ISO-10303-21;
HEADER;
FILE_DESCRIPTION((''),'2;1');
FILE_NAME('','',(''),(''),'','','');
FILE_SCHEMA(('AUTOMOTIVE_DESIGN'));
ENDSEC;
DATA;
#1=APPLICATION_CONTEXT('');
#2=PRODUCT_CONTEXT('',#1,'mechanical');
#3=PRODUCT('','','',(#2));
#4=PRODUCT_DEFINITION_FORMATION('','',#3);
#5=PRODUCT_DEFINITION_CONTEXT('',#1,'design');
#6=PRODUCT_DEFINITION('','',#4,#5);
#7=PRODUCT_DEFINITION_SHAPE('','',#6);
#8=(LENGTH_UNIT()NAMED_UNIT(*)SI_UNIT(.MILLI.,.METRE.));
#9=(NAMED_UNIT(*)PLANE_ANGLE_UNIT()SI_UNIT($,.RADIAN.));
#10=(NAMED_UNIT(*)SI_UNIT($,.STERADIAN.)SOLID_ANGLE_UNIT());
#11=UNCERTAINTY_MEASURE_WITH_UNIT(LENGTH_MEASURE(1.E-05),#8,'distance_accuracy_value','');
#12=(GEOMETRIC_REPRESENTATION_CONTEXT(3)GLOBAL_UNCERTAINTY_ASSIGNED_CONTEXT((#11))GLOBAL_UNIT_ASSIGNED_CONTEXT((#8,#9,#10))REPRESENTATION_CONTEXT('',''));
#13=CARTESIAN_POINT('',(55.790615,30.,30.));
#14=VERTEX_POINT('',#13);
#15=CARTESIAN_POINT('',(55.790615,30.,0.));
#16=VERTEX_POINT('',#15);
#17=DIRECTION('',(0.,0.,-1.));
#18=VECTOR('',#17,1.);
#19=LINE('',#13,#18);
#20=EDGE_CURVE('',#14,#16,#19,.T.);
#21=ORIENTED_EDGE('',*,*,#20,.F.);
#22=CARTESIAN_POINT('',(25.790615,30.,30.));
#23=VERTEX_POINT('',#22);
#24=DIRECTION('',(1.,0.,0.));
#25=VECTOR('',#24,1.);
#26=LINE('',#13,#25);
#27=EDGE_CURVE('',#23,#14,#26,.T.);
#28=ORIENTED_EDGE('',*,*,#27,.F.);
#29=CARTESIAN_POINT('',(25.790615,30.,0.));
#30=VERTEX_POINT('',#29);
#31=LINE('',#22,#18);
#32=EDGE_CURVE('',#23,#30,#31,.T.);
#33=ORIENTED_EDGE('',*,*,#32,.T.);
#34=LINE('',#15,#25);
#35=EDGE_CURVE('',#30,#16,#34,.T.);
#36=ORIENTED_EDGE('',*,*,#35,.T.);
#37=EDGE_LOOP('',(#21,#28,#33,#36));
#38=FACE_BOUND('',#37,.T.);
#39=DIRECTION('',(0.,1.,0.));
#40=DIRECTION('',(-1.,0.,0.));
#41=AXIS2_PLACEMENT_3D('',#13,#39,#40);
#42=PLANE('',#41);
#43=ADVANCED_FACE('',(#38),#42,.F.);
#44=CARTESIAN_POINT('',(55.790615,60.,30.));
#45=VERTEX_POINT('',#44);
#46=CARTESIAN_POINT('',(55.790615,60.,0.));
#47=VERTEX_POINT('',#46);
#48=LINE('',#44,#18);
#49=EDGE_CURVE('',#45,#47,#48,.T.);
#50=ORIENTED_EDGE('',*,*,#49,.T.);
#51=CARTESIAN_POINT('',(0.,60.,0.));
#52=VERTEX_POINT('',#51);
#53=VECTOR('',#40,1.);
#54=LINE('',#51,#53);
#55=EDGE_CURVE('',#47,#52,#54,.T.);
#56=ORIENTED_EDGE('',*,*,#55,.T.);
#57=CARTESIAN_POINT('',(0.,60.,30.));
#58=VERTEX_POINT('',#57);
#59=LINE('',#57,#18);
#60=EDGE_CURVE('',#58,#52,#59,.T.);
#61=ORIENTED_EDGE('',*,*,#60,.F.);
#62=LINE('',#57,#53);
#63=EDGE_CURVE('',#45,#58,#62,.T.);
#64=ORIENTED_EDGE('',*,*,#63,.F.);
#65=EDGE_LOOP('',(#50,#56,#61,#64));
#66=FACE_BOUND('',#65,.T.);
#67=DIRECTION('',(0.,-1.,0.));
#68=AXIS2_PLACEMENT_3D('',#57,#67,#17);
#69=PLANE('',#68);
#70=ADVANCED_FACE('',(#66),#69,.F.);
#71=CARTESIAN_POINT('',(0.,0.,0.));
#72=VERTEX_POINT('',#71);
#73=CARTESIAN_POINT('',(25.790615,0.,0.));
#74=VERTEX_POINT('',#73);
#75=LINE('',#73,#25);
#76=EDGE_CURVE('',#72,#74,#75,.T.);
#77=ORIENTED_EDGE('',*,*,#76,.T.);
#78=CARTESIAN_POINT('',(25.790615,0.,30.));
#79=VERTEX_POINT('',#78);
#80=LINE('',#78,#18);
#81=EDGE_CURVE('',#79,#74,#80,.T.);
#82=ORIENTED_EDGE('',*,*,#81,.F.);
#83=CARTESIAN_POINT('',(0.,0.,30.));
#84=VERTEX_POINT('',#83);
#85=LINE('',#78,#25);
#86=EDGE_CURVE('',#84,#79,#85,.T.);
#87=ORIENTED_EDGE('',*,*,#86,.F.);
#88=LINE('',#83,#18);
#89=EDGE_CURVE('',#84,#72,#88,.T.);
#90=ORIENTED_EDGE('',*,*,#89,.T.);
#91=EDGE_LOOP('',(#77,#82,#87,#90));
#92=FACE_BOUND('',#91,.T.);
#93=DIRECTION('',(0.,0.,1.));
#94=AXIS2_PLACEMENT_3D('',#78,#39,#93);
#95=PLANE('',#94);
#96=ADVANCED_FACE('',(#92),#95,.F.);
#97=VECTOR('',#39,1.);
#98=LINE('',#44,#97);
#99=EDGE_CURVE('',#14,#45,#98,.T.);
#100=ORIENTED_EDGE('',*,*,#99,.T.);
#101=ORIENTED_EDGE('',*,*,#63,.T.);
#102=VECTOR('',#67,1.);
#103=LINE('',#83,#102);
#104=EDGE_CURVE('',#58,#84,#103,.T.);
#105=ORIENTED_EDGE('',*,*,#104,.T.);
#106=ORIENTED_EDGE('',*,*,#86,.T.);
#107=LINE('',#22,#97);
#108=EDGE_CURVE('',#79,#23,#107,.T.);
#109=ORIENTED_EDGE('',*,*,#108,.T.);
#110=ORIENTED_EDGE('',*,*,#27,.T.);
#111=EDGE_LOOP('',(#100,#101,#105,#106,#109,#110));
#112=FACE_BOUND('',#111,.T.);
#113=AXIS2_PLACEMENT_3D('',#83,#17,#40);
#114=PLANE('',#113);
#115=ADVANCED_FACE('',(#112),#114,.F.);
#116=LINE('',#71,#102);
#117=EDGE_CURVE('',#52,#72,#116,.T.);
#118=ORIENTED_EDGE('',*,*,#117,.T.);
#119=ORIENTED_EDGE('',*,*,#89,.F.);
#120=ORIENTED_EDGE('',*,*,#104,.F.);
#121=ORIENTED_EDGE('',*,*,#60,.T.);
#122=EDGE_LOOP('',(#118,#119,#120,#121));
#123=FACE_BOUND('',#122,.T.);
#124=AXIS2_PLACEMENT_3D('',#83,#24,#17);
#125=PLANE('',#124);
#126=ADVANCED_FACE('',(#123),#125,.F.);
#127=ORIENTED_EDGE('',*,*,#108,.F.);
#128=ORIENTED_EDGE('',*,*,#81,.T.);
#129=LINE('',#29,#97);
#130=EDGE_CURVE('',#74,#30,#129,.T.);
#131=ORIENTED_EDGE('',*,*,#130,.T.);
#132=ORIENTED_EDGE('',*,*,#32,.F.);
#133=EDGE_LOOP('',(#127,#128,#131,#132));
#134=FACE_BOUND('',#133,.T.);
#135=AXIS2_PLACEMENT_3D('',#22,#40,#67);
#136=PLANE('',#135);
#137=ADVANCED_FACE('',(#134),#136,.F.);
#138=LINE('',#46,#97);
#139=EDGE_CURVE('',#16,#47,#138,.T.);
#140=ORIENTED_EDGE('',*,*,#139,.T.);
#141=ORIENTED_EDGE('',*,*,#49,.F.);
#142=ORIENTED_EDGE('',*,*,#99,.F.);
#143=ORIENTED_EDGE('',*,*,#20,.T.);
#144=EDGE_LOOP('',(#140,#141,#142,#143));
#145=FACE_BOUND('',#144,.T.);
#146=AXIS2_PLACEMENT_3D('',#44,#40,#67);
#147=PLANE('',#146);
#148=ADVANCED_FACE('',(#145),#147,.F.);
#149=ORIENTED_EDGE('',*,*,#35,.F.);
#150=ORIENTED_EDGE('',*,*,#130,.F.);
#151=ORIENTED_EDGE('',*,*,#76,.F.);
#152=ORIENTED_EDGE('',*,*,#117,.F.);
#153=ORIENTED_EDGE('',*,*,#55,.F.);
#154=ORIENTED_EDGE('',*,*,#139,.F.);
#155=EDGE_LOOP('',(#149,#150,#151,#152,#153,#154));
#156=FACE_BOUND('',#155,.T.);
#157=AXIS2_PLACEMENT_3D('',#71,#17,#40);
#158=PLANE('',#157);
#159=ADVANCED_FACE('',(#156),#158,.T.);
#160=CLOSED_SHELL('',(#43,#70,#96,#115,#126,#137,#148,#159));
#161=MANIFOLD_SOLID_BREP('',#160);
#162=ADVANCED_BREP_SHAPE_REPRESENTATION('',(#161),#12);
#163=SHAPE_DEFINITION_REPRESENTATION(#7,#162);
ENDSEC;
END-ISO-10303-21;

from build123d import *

# Parameters (mm, degrees)
BOSS_EXTRU_1_DEPTH = 30


with BuildPart() as part:
    # Esquisse1 → Boss.-Extru.1 (new body)
    with BuildSketch(Plane.XY):
        Polygon((0, 0), (0, 60), (55.790614525, 60), (55.790614525, 30), (25.790614525, 30), (25.790614525, 0), align=None)
    extrude(amount=BOSS_EXTRU_1_DEPTH)


solid = part.part
